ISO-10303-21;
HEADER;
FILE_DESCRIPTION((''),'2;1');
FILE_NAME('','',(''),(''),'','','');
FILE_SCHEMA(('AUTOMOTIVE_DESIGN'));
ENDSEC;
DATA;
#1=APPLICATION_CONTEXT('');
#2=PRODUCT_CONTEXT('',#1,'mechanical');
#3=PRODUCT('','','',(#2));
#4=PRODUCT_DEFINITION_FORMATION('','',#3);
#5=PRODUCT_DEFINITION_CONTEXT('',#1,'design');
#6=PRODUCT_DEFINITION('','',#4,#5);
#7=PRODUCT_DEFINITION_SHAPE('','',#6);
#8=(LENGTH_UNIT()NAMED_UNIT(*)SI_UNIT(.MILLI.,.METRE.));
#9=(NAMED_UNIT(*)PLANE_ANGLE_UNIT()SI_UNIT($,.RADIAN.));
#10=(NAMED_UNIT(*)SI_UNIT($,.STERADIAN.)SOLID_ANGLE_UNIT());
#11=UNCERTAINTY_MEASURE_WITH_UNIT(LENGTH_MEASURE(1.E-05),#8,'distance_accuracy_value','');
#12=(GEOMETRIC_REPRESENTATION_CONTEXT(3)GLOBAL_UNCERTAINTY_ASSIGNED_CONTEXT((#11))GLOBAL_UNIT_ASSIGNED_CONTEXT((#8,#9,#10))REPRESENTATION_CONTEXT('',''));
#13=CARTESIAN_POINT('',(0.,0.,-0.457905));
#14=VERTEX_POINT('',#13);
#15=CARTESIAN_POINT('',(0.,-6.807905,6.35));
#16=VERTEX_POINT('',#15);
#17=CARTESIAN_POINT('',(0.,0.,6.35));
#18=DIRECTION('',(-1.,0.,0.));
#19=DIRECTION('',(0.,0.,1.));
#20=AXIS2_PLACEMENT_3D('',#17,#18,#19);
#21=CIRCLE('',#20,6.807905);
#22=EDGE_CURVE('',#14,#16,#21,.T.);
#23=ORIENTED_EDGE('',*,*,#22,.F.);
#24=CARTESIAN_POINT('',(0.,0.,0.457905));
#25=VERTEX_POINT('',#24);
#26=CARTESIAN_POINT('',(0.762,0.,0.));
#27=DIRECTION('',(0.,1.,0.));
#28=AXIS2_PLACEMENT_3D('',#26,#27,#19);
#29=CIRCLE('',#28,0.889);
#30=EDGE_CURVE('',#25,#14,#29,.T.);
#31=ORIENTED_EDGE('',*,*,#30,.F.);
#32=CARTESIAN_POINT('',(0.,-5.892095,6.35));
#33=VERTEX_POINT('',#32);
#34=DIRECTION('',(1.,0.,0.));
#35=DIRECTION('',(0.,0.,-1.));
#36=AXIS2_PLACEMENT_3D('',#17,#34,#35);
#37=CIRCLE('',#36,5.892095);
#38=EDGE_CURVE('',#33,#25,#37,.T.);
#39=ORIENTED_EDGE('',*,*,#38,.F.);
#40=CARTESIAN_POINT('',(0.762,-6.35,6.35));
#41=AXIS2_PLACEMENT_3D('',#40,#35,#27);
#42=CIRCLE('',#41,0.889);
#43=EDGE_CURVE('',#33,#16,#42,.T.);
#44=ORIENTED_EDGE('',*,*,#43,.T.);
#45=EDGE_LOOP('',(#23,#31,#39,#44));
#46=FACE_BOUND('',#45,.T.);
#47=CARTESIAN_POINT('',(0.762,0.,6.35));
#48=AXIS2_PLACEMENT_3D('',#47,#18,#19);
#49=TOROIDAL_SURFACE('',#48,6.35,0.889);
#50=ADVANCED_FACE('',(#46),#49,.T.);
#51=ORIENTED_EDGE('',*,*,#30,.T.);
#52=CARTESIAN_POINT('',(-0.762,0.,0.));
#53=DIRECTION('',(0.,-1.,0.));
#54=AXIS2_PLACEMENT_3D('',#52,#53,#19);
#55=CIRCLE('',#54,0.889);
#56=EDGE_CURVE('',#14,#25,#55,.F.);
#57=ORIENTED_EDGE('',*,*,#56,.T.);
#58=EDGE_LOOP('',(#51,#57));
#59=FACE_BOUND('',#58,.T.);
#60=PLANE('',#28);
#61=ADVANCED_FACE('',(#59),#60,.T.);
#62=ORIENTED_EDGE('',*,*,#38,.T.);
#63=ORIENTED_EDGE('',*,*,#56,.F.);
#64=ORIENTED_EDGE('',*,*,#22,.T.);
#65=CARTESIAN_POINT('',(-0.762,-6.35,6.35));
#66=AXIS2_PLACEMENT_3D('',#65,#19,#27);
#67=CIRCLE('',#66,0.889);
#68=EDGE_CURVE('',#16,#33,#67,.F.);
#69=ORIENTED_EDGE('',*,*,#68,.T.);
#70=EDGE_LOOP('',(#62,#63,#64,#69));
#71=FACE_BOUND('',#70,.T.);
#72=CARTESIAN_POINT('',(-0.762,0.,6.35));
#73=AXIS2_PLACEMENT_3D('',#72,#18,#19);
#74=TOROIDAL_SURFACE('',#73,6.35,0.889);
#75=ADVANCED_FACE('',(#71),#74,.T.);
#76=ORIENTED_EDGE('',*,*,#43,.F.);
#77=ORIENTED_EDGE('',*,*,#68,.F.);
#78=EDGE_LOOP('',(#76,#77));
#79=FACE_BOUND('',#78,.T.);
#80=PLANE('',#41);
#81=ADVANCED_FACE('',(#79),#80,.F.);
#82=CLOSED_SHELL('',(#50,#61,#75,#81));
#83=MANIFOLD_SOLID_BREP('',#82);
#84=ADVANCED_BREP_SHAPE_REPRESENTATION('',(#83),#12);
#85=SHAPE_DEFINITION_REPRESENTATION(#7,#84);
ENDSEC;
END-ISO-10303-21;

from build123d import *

# Parameters (mm, degrees)
SKETCH1_R = 0.889


with BuildPart() as part:
    # Sweep2: sweep along a path in Sketch3
    with BuildLine(Plane(origin=(0.2794, 0, 0), x_dir=(0, 0, -1), z_dir=(1, 0, 0))) as sweep2_path:
        ThreePointArc((0, 0), (-1.859871939, -4.490128061), (-6.35, -6.35))
    # Sketch1 → Sweep2 (sweep)
    with BuildSketch(Plane(origin=(0, 0, 0), x_dir=(1, 0, 0), z_dir=(0, 1, 0))):
        with Locations((0.762, 0)):
            Circle(SKETCH1_R)
    sweep2 = sweep(path=sweep2_path.line)

    # Mirror4: Sweep2 across plane
    add(sweep2.mirror(Plane(origin=(0, 0, 0), x_dir=(0, 0, 1), z_dir=(1, 0, 0))))


solid = part.part
